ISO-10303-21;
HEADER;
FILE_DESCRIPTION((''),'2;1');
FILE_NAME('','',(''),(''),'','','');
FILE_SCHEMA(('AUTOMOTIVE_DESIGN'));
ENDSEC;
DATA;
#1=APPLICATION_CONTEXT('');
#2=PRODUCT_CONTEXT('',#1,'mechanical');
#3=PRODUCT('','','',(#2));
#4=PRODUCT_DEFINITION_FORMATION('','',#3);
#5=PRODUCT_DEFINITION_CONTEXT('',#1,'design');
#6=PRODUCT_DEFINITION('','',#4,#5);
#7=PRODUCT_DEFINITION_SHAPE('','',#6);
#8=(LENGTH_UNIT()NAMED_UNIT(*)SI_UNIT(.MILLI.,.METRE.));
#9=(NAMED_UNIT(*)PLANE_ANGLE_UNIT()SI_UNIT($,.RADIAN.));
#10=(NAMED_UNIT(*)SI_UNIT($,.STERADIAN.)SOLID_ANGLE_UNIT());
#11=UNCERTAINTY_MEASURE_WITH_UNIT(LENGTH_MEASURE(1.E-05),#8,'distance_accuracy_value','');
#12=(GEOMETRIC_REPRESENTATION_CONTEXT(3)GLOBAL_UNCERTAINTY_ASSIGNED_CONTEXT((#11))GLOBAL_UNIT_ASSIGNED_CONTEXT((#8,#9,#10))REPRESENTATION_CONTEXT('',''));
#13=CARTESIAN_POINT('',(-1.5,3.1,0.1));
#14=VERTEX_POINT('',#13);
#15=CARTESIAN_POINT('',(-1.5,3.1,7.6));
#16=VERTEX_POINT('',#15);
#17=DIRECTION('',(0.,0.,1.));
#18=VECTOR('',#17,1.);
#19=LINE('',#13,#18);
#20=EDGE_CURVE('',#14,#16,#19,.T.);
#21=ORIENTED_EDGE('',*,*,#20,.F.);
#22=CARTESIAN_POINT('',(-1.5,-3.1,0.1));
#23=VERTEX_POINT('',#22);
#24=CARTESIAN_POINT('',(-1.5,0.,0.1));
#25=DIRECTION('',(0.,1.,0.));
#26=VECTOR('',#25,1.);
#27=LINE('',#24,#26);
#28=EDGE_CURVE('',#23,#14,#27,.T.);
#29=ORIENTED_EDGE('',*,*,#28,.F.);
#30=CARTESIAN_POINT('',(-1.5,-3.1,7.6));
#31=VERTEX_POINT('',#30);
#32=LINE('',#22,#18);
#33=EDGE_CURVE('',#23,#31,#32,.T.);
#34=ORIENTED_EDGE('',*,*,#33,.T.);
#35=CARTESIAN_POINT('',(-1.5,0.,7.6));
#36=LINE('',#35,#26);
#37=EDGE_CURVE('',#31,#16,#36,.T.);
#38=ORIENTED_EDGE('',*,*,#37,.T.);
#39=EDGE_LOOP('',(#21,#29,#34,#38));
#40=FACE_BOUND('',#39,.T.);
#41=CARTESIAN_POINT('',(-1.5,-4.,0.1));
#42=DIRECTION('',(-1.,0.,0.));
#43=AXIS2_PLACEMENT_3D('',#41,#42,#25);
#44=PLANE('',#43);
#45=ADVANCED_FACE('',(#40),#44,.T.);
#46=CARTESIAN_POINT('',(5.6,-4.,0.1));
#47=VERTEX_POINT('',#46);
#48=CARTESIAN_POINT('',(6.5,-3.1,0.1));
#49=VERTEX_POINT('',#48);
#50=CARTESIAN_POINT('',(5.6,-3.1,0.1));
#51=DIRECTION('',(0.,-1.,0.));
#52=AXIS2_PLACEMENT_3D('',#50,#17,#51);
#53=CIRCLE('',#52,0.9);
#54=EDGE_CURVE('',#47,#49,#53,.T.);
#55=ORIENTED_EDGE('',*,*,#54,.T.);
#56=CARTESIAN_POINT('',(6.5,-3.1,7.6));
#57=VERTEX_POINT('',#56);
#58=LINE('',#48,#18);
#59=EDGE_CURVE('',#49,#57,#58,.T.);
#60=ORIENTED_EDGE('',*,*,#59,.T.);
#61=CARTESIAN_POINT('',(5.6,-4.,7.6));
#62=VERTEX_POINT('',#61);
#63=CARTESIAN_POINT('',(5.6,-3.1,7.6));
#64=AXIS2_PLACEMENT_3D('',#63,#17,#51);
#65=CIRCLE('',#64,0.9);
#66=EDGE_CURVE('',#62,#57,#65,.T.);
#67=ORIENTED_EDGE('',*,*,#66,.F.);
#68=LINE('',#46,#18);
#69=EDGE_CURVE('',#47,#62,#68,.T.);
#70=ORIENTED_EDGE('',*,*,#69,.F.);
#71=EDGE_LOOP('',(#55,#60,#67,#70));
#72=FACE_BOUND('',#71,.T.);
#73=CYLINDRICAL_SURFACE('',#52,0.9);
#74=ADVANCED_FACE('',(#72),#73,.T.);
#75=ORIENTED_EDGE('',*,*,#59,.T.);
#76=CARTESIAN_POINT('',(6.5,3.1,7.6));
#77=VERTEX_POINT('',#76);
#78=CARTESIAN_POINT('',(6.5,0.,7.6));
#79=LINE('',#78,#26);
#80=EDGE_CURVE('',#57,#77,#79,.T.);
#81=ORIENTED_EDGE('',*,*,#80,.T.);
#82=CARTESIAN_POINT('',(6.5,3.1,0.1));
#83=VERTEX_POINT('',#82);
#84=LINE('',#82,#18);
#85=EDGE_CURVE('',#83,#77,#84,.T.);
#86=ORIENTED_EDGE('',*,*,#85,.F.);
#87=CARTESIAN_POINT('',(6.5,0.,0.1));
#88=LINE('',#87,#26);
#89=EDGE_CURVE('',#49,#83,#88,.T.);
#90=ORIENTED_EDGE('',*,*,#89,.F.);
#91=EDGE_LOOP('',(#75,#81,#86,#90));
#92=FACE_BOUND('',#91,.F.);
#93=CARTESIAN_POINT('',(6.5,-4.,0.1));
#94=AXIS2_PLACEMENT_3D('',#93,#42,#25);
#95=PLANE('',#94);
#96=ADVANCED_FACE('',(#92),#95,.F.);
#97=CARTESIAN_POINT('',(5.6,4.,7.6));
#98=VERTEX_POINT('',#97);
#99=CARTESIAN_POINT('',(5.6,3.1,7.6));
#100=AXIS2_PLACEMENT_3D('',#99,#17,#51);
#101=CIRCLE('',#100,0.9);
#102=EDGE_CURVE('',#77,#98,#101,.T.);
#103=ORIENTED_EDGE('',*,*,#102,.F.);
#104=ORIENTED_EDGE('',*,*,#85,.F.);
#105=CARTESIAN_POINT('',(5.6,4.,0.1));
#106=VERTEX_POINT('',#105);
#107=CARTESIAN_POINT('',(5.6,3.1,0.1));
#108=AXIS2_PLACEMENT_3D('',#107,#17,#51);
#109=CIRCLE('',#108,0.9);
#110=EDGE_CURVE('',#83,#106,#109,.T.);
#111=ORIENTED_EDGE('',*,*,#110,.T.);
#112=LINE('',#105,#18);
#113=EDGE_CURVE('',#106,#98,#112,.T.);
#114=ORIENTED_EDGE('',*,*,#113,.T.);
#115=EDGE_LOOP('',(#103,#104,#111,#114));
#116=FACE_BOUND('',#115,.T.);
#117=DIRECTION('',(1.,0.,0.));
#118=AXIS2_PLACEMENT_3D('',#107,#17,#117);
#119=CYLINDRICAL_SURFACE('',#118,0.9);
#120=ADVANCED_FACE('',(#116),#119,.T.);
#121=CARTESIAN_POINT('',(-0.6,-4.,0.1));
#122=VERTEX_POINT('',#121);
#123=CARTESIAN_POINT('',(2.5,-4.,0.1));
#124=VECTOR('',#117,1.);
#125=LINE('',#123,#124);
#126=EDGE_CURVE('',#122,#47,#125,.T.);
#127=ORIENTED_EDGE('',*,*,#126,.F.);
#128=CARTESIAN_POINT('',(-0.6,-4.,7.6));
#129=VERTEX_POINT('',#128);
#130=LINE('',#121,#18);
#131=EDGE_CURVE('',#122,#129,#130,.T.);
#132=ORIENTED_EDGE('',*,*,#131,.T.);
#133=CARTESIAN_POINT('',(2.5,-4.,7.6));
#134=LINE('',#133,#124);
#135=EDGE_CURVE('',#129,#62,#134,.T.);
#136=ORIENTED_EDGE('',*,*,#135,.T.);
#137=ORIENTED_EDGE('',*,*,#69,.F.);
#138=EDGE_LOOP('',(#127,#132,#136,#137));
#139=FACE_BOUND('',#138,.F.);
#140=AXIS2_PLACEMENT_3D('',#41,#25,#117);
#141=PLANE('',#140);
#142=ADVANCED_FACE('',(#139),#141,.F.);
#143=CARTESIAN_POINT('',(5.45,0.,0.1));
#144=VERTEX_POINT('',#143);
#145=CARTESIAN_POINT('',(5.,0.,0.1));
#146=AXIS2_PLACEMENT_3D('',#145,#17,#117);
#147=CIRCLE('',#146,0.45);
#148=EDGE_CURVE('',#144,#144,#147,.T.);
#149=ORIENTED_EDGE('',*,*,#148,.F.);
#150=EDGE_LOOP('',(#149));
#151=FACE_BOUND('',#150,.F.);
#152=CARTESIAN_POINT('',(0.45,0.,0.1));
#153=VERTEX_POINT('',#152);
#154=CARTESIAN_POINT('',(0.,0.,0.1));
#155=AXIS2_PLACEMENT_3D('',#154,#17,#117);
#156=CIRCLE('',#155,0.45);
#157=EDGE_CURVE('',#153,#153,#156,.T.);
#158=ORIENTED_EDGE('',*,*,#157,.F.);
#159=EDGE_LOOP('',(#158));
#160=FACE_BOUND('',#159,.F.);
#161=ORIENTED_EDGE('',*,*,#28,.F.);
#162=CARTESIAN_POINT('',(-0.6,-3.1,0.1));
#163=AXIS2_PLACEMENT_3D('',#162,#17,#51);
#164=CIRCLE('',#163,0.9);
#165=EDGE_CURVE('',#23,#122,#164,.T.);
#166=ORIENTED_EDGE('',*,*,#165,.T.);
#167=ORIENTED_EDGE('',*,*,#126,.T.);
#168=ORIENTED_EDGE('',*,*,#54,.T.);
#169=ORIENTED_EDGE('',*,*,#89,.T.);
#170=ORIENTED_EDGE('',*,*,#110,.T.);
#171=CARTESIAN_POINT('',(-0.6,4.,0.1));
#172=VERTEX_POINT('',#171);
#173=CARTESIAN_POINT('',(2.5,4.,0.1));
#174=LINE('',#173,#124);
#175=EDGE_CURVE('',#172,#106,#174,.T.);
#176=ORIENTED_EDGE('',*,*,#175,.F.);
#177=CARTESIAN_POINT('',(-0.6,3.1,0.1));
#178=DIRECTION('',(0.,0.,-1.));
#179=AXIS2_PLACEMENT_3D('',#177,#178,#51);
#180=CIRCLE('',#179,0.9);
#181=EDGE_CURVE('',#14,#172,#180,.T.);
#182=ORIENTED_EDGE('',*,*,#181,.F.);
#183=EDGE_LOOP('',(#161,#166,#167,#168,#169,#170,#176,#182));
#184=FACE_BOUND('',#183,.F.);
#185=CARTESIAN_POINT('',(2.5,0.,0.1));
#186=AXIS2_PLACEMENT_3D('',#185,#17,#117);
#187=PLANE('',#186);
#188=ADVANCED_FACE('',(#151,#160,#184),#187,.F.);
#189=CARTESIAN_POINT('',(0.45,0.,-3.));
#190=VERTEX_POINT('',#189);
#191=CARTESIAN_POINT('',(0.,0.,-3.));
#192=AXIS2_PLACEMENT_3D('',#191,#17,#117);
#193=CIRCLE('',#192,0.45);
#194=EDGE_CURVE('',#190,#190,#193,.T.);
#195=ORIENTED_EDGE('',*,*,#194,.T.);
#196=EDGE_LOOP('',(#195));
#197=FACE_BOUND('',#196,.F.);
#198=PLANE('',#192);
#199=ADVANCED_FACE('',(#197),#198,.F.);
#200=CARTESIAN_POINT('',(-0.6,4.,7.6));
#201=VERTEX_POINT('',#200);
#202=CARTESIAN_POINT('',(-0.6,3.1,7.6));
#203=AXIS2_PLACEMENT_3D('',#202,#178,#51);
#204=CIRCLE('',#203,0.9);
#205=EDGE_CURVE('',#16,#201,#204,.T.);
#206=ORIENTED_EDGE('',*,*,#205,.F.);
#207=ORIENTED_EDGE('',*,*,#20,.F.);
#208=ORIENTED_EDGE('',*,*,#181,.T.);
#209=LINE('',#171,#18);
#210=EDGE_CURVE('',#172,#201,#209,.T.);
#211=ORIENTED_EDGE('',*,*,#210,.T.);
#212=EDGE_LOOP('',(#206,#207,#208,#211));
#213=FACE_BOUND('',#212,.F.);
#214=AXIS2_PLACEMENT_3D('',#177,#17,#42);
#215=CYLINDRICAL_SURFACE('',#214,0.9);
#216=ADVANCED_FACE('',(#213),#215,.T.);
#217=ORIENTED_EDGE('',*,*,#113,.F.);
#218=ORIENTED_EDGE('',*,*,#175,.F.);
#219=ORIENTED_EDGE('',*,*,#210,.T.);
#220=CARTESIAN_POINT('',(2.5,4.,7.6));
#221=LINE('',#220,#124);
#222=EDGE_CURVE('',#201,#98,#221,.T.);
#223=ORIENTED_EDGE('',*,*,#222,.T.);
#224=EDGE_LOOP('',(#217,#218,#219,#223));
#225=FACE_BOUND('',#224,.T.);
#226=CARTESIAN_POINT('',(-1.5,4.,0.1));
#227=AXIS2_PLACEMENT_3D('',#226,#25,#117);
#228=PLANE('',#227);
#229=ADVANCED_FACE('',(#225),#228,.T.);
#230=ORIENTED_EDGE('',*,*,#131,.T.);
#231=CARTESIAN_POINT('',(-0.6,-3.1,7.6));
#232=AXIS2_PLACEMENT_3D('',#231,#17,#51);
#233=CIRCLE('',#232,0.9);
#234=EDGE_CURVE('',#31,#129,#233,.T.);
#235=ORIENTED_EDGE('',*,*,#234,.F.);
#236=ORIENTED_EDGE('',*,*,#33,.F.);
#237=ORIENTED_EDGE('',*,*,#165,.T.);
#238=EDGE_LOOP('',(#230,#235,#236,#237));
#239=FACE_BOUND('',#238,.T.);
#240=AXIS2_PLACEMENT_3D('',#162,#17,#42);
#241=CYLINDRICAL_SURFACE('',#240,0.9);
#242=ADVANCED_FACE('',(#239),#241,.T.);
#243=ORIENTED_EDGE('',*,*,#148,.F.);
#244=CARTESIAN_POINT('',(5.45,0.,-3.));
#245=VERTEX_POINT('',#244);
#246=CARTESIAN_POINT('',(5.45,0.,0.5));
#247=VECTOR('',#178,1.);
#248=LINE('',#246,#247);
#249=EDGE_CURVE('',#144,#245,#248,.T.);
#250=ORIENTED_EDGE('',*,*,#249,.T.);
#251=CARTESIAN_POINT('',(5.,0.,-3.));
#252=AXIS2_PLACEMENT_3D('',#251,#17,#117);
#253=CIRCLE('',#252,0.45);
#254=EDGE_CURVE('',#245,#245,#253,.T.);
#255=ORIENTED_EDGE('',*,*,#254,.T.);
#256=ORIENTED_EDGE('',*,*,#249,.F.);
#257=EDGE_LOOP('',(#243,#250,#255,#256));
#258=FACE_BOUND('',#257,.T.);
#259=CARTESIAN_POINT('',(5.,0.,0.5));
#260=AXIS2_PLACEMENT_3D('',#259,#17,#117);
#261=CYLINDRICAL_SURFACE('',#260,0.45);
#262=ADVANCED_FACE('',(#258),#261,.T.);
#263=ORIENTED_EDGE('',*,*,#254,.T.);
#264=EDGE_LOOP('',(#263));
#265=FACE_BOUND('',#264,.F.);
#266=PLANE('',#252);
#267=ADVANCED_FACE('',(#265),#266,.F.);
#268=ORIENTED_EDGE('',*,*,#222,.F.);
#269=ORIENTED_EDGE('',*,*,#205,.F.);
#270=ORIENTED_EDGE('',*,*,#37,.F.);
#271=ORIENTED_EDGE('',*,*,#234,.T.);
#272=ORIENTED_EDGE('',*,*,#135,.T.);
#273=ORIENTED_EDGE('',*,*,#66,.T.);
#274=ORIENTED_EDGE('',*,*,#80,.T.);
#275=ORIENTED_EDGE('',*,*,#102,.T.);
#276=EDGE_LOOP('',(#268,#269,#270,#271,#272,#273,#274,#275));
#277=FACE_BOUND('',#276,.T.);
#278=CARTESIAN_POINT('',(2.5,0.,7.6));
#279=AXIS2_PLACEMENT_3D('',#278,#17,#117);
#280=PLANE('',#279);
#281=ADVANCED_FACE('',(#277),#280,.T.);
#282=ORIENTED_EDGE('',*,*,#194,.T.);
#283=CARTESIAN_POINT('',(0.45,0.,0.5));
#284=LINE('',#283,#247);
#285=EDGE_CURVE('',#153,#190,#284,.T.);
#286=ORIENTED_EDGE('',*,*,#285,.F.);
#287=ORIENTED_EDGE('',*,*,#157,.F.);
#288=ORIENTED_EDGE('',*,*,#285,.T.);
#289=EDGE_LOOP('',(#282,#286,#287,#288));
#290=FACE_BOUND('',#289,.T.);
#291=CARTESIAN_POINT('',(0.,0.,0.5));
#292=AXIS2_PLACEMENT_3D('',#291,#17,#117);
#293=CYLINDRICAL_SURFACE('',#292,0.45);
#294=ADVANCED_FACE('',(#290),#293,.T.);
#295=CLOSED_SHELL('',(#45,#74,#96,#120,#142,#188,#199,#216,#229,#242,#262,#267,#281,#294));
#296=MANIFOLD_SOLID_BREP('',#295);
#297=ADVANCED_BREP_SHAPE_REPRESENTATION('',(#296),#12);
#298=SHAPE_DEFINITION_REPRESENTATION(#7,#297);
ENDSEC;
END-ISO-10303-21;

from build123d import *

# Parameters (mm, degrees)
SKETCH001_R  = 0.45
PAD001_DEPTH = 3.5
SKETCH_W     = 8
SKETCH_H     = 8
PAD_DEPTH    = 7.5
FILLET_R     = 0.9


with BuildPart() as pad001:
    # Sketch001 → Pad001 (new body)
    with BuildSketch(Plane.XY.offset(0.5)):
        Circle(SKETCH001_R)
        with Locations((5, 0)):
            Circle(SKETCH001_R)
    extrude(amount=-PAD001_DEPTH)


with BuildPart() as fillet_mp_cp:
    # Sketch → Pad (new body)
    with BuildSketch(Plane.XY.offset(0.1)):
        with Locations((2.5, 0)):
            Rectangle(SKETCH_W, SKETCH_H)
    extrude(amount=PAD_DEPTH)

    # Fillet
    fillet_edges = [fillet_mp_cp.edges().sort_by_distance(p)[0] for p in [
        (6.5, -4, 3.85),
        (6.5, 4, 3.85),
        (-1.5, -4, 3.85),
        (-1.5, 4, 3.85),
    ]]
    fillet(fillet_edges, radius=FILLET_R)

    # Fillet_mp_cp: union Pad001
    add(pad001.part)


solid = fillet_mp_cp.part
